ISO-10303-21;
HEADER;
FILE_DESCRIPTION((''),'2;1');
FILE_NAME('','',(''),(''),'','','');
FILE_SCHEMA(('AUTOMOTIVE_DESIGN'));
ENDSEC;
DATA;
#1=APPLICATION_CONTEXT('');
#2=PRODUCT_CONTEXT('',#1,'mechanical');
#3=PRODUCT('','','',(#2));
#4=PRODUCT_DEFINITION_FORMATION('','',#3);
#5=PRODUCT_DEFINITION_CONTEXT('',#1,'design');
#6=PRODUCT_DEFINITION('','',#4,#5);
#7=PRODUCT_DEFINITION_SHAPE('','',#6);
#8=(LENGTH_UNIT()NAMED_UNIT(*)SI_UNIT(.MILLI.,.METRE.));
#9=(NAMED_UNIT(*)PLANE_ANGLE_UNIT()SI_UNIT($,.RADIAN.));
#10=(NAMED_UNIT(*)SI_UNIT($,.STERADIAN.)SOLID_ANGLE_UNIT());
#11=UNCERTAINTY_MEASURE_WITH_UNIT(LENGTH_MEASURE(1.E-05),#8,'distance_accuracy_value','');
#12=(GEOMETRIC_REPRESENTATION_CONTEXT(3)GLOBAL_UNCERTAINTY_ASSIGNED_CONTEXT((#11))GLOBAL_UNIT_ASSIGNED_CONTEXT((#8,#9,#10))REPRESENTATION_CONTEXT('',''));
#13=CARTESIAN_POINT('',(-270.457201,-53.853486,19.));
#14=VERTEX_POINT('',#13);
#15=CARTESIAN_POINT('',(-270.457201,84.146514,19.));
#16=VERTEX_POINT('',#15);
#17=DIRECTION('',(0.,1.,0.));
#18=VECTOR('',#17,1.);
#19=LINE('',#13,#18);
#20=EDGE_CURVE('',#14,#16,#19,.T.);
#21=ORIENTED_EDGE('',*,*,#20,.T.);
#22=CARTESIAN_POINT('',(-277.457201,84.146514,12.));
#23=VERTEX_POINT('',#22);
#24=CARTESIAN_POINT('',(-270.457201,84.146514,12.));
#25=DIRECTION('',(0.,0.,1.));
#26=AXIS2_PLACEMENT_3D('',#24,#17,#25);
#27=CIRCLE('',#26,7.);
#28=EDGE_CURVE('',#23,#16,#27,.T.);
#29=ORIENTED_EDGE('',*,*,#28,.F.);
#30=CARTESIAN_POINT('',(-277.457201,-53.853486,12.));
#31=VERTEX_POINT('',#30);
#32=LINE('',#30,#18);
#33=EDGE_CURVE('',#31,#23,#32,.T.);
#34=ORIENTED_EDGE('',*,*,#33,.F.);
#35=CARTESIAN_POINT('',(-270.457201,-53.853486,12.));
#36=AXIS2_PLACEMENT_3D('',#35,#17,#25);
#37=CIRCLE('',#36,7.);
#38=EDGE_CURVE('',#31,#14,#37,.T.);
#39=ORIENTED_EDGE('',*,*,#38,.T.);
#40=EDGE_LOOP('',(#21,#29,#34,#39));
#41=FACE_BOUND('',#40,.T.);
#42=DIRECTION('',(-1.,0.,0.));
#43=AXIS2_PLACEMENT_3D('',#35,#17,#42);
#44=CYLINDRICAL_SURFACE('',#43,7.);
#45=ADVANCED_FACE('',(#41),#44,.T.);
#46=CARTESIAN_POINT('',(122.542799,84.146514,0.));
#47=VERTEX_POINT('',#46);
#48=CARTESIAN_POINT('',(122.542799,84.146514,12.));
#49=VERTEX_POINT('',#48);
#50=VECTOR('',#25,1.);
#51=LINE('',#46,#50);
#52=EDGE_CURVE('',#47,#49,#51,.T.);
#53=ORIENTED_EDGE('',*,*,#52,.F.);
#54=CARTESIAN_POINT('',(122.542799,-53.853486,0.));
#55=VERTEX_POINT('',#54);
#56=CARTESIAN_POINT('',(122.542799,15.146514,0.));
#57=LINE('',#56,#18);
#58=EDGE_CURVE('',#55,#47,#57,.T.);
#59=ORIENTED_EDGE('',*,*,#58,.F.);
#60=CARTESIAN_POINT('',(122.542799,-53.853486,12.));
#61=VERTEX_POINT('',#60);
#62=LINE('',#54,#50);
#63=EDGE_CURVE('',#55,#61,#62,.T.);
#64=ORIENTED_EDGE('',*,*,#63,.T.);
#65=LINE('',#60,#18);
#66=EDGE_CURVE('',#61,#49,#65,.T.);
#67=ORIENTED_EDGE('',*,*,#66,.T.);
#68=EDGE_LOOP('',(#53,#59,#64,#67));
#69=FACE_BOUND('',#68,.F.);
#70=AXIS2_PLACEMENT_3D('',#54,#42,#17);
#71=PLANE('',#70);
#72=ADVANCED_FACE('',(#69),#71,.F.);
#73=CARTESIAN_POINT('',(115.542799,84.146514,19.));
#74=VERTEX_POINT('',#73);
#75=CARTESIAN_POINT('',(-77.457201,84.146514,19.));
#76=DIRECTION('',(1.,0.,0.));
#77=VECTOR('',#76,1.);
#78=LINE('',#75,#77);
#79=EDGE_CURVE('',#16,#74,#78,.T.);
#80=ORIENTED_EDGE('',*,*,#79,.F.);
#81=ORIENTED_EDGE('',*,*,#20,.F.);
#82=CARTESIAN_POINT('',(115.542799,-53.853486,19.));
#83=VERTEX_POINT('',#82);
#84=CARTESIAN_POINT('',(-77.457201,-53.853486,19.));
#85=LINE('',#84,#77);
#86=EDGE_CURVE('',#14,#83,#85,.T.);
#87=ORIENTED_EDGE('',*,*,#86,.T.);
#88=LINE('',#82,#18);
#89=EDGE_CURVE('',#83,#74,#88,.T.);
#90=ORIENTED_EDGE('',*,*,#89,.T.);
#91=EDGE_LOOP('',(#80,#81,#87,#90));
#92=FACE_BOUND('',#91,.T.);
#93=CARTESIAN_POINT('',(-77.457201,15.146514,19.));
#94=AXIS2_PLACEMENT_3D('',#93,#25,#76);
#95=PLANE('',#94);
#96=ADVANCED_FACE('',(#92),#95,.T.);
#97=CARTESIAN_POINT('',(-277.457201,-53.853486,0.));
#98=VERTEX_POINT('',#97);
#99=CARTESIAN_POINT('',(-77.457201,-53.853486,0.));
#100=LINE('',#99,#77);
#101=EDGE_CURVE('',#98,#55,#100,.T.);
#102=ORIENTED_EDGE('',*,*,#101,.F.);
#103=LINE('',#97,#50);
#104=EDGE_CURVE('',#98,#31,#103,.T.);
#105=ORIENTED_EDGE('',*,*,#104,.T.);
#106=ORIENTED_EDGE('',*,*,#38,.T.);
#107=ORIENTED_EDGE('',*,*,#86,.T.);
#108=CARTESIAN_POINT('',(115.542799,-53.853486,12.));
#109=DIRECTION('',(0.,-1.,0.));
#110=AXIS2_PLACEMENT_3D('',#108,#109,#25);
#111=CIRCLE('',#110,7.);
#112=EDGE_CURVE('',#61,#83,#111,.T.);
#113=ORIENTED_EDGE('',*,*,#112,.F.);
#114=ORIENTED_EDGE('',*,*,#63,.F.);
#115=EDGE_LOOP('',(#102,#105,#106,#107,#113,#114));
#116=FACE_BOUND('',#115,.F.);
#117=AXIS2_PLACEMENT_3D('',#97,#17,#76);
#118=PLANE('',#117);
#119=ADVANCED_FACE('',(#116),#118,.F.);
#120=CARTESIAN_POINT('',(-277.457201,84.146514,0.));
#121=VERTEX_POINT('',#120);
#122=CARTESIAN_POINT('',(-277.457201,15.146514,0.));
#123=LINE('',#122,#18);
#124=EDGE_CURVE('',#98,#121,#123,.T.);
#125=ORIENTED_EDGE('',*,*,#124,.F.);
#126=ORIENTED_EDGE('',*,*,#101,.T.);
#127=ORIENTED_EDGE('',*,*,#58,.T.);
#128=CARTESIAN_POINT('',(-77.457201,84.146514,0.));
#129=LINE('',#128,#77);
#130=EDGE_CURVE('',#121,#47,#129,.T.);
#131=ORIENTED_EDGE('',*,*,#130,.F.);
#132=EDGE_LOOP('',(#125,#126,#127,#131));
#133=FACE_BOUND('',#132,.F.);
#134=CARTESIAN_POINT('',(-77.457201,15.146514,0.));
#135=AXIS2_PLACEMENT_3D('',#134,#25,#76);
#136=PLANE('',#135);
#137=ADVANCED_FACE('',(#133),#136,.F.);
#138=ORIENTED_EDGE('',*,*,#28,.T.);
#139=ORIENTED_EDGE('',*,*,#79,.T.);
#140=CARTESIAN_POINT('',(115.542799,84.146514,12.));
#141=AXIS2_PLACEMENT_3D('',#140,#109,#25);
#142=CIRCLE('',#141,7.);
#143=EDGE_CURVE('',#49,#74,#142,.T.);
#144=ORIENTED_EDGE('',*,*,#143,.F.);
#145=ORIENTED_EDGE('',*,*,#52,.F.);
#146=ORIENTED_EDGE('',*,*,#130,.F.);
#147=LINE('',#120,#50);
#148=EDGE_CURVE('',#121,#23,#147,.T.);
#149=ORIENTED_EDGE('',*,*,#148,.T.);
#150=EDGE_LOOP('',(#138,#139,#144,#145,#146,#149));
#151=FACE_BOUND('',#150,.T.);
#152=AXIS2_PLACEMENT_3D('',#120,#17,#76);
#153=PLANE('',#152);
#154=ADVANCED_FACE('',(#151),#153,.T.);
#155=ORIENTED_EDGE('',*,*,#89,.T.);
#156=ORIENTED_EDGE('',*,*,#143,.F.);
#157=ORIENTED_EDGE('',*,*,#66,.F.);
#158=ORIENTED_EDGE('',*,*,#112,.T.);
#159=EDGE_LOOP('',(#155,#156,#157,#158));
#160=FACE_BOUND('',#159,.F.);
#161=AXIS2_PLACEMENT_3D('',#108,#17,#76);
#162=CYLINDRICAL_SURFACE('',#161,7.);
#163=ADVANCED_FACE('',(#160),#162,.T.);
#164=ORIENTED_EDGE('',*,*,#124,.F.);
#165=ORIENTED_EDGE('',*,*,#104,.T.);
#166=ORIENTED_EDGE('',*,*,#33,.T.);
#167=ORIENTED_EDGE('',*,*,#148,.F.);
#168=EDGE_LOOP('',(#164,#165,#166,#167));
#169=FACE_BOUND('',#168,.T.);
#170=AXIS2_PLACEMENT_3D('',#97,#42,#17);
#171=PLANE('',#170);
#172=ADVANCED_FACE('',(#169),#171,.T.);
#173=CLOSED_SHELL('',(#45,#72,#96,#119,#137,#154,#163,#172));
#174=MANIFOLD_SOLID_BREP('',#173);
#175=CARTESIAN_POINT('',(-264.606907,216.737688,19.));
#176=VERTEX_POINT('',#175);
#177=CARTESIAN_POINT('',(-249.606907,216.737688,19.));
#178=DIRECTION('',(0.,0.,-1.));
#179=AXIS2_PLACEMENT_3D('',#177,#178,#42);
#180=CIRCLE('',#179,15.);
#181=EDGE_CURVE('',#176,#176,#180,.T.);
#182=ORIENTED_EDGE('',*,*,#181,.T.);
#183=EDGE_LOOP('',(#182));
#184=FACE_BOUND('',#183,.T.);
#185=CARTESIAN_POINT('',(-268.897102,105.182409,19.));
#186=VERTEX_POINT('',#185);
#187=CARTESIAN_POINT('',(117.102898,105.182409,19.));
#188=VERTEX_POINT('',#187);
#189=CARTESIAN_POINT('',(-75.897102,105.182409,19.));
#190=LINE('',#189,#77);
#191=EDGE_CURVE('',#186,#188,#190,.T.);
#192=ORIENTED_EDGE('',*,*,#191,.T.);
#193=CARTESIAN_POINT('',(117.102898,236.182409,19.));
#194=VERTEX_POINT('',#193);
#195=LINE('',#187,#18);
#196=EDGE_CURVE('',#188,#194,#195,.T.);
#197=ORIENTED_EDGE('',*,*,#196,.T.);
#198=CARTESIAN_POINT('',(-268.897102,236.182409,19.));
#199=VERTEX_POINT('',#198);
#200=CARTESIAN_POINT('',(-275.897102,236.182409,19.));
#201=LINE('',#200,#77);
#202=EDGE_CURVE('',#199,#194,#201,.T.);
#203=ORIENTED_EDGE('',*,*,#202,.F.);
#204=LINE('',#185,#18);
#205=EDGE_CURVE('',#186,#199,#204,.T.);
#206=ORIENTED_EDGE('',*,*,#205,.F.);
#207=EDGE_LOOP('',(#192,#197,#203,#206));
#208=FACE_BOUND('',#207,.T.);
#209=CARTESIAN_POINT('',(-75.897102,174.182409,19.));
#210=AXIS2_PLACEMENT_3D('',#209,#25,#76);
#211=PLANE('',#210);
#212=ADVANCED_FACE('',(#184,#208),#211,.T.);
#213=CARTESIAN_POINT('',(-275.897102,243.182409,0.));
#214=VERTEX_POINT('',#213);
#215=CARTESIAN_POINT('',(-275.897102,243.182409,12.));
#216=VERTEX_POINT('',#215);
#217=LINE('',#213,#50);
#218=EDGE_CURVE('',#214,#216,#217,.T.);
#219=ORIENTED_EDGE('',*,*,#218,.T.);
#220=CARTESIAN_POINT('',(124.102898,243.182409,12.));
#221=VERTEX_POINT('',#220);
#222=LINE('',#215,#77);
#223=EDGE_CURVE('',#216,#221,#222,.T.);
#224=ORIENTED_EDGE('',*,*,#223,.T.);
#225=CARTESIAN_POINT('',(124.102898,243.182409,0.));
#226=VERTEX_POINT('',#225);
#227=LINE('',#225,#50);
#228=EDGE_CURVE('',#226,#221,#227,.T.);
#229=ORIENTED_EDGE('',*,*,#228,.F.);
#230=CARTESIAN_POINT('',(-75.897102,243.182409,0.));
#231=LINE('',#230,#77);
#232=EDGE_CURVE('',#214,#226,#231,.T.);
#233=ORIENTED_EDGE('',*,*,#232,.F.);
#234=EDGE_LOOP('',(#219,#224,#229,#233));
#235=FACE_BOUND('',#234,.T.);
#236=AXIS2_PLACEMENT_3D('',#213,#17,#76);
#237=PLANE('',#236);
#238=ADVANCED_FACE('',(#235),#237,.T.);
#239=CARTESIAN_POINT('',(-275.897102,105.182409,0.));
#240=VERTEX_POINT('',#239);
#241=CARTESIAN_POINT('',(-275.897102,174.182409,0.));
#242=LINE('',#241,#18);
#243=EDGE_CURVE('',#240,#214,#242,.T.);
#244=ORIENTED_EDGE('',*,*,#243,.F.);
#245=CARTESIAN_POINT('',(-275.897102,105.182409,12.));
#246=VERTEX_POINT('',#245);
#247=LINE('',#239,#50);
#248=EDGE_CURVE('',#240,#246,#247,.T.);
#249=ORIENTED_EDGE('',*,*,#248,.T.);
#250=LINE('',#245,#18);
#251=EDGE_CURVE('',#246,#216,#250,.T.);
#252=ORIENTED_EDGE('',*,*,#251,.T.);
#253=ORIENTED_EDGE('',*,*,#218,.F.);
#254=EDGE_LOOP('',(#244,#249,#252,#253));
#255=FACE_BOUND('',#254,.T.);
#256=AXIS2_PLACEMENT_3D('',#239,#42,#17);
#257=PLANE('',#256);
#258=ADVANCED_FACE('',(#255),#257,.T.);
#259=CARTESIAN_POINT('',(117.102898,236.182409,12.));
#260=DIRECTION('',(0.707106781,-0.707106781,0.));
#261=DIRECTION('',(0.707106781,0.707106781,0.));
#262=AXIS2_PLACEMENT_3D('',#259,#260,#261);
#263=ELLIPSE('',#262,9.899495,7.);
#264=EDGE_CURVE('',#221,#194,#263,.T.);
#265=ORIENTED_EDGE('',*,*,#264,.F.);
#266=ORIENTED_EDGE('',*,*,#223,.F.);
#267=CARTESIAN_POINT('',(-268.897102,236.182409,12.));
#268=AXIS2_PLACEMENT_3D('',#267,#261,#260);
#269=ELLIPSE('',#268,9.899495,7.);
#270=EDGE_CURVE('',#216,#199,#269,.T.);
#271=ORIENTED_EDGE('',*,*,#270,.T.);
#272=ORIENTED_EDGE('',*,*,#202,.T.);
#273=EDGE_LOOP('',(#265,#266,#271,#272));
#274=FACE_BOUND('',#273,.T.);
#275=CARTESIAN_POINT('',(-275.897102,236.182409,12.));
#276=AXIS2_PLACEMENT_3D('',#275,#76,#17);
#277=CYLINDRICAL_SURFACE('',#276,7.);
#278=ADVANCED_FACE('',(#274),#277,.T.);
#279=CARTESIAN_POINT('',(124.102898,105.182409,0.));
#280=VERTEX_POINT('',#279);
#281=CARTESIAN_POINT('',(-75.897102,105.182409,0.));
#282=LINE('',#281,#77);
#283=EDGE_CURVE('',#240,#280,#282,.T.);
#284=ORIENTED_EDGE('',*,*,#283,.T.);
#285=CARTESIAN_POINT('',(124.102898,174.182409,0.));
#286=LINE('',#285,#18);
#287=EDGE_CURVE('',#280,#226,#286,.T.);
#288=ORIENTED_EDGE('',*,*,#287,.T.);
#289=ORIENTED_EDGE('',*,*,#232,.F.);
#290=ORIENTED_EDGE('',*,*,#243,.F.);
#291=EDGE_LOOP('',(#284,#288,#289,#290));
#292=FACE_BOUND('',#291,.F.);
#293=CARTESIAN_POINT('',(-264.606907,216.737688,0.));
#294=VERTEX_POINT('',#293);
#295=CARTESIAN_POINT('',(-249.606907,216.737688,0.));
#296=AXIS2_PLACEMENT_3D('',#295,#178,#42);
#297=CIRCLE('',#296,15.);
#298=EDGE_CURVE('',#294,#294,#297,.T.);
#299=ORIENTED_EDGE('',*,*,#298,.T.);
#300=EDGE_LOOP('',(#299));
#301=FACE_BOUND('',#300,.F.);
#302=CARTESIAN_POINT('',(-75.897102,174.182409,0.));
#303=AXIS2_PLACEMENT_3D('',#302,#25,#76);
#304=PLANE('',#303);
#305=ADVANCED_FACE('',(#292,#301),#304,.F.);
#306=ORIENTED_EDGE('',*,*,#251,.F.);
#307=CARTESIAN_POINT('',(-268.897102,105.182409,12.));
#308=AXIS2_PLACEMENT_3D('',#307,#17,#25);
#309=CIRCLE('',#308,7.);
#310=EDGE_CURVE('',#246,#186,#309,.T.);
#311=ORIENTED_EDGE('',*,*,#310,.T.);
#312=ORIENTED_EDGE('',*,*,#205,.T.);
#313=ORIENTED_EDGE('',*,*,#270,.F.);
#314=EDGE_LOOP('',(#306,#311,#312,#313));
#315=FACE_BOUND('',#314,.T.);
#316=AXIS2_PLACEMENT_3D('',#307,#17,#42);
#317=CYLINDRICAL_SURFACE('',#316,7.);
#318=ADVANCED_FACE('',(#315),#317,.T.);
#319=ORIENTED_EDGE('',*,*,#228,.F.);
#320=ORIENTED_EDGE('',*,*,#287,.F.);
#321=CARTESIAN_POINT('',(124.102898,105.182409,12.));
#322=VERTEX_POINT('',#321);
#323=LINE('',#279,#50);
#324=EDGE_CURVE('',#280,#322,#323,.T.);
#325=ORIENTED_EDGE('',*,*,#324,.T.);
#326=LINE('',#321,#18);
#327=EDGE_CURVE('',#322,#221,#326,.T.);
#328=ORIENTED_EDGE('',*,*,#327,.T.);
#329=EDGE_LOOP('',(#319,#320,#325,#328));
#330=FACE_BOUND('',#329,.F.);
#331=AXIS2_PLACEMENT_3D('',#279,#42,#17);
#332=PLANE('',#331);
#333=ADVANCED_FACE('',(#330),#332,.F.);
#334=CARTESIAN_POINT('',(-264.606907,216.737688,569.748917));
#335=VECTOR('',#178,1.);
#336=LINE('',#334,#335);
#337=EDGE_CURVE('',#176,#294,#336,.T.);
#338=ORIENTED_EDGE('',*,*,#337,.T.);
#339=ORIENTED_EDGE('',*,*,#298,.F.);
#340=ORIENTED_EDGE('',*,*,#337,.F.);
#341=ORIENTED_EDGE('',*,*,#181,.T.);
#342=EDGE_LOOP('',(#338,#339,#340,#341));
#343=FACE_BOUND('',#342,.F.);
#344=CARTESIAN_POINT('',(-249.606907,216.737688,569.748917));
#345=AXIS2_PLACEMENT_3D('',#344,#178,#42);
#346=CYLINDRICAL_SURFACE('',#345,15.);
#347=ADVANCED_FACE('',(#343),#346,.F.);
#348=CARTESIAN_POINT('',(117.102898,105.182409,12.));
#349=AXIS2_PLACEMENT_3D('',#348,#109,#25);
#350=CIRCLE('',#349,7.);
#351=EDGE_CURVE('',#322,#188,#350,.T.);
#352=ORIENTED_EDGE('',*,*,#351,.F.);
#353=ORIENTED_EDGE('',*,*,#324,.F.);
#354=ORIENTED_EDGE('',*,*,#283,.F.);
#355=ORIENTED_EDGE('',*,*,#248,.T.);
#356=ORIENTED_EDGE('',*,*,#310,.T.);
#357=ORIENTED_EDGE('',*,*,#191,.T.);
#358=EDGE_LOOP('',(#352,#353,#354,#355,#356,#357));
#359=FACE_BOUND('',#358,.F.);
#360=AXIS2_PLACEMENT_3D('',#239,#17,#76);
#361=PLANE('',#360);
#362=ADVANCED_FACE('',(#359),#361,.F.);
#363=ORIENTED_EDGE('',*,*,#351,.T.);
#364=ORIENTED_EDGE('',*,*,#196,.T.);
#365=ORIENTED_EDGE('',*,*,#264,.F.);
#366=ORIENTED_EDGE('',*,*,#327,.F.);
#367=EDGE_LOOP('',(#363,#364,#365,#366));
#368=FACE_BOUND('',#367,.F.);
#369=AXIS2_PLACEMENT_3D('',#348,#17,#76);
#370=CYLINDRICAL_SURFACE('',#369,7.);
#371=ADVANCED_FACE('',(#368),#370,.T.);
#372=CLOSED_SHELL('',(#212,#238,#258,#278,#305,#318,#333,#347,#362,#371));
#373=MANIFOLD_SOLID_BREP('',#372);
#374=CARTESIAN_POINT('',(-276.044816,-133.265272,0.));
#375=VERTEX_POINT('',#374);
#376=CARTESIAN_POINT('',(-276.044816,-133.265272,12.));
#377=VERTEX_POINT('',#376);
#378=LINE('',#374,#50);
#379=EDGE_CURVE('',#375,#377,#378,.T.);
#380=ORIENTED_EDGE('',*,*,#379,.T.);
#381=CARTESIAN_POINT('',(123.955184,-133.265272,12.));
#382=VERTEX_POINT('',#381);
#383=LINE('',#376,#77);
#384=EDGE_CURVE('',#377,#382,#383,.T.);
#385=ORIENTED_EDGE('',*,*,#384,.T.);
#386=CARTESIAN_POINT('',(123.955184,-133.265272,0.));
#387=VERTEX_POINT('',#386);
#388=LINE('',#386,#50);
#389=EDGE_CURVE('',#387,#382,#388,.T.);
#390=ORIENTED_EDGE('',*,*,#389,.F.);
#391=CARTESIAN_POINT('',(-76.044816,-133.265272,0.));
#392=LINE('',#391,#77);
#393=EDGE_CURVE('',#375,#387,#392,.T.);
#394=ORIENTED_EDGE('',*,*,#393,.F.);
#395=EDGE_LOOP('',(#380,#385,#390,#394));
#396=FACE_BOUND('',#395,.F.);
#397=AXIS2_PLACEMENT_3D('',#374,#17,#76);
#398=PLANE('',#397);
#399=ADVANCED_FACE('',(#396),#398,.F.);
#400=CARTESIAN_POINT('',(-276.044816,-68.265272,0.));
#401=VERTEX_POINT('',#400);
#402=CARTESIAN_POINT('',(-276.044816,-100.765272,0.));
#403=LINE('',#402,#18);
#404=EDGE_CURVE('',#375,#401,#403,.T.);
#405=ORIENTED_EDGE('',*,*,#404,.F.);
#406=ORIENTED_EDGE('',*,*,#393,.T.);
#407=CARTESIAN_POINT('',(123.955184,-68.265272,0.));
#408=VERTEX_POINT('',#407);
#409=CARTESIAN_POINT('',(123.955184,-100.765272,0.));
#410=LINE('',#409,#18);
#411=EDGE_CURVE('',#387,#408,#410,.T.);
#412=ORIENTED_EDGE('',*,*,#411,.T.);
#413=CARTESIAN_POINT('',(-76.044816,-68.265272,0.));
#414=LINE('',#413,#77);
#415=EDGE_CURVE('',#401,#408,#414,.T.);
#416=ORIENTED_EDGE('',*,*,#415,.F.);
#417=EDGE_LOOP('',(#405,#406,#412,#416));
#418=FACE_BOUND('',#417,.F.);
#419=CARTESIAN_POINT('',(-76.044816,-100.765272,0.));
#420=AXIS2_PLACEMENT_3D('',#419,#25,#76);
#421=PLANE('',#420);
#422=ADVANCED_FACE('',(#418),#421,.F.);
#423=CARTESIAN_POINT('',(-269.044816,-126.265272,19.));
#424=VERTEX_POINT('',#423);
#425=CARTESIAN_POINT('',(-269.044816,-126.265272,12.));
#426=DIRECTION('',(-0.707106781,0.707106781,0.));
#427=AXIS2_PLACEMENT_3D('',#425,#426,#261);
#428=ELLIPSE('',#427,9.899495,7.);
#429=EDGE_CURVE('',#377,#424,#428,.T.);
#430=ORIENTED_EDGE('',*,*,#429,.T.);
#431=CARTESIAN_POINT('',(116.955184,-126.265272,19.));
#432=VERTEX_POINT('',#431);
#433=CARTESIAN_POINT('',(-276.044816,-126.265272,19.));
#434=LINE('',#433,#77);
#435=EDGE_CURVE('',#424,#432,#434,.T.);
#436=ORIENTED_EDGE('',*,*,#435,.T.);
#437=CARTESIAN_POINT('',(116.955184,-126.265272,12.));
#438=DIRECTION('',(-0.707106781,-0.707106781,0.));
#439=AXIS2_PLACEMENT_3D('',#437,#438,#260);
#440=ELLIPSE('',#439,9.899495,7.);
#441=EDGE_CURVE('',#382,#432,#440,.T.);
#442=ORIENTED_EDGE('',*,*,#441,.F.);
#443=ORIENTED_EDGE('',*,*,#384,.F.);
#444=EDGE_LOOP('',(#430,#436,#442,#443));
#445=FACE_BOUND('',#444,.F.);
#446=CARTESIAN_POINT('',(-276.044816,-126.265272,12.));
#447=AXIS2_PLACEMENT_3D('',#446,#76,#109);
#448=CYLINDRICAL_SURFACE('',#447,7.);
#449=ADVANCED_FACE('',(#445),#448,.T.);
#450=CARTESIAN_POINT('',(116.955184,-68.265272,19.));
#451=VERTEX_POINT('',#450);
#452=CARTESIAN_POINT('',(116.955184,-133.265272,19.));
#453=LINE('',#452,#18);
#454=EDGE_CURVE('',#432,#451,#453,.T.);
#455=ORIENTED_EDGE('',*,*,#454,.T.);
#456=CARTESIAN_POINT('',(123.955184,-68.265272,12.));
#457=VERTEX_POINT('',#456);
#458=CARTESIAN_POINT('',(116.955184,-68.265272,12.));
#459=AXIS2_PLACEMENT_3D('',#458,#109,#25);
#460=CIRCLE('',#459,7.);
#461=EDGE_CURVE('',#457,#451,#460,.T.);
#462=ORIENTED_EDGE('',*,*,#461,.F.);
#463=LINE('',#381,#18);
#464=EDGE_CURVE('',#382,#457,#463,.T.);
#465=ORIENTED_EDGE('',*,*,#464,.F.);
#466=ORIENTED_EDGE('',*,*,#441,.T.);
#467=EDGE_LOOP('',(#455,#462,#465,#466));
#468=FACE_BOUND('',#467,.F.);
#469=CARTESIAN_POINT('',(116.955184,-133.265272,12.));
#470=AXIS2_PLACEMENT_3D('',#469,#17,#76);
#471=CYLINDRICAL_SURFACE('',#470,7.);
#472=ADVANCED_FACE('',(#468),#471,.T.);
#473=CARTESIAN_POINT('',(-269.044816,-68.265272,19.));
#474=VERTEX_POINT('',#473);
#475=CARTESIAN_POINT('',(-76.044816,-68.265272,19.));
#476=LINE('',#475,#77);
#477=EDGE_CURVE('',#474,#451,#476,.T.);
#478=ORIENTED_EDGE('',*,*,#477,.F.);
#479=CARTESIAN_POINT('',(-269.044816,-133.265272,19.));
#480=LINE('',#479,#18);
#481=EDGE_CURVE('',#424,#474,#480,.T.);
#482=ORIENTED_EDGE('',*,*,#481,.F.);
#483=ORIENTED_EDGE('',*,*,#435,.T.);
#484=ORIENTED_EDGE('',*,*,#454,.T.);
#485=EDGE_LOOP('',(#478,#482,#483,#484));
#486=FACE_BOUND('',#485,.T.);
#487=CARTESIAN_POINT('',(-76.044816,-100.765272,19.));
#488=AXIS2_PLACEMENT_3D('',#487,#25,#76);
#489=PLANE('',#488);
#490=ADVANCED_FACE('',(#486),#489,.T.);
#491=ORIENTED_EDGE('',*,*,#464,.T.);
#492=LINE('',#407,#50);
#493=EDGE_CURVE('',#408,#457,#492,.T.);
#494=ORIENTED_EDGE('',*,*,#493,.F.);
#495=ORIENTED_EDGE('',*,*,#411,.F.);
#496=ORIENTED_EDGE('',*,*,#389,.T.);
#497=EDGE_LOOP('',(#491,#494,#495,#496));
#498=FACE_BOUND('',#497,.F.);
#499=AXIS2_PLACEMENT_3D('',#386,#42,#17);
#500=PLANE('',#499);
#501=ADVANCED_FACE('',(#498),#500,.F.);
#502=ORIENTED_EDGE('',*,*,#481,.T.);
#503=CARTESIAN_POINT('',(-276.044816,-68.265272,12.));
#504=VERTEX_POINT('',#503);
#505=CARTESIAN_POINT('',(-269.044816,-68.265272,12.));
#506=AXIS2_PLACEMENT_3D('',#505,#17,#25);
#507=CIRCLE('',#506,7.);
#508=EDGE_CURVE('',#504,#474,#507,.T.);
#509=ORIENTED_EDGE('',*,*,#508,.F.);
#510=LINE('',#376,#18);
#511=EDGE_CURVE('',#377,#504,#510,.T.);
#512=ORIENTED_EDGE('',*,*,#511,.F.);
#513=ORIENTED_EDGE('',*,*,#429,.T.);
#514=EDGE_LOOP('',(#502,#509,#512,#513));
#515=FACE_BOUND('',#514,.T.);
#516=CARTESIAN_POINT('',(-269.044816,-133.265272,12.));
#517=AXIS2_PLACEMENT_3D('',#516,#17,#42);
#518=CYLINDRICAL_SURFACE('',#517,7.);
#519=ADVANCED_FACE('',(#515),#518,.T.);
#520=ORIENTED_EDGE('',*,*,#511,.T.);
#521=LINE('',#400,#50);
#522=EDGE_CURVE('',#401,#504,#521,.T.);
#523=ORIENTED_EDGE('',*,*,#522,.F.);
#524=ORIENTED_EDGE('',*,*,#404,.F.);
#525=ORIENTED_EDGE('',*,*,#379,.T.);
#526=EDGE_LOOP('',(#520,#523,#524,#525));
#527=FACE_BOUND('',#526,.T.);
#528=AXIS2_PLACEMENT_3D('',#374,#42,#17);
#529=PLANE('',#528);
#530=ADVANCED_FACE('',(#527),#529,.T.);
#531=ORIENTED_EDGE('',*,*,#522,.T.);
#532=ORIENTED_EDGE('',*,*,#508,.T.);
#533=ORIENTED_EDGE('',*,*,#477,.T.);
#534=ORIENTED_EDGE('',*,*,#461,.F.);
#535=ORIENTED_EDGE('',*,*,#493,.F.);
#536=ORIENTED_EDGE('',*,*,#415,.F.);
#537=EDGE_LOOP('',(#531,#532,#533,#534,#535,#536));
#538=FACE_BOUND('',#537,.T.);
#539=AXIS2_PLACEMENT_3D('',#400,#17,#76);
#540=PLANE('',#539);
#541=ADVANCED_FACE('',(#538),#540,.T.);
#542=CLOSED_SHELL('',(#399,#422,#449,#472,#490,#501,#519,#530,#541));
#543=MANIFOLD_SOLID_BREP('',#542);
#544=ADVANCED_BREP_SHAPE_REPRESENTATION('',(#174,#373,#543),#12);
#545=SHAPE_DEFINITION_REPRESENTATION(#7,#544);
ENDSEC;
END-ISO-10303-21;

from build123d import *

# Parameters (mm, degrees)
F0_W     = 400
F0_H     = 65
F0_H_2   = 138
F1_DEPTH = 19
F2_R     = 7
F4_D     = 30


with BuildPart() as f1:
    # F0 (on Top) → F1 (new body)
    with BuildSketch(Plane.XY):
        with Locations((-76.044816, -100.765272)):
            Rectangle(F0_W, F0_H)
        with Locations((-77.457201, 15.146514)):
            Rectangle(F0_W, F0_H_2)
        with Locations((-75.897102, 174.182409)):
            Rectangle(F0_W, F0_H_2)
    extrude(amount=F1_DEPTH)

    # F2
    f2_edges = [f1.edges().sort_by_distance(p)[0] for p in [
        (124.102898, 174.182409, 19),
        (-75.897102, 243.182409, 19),
        (-275.897102, 174.182409, 19),
        (122.542799, 15.146514, 19),
        (-277.457201, 15.146514, 19),
        (-276.044816, -100.765272, 19),
        (-76.044816, -133.265272, 19),
        (123.955184, -100.765272, 19),
    ]]
    fillet(f2_edges, radius=F2_R)

    # F4 (through all)
    with Locations(Plane.XY.offset(19)):
        with Locations((-249.606907, 216.737688)):
            Hole(F4_D / 2)


solid = f1.part
